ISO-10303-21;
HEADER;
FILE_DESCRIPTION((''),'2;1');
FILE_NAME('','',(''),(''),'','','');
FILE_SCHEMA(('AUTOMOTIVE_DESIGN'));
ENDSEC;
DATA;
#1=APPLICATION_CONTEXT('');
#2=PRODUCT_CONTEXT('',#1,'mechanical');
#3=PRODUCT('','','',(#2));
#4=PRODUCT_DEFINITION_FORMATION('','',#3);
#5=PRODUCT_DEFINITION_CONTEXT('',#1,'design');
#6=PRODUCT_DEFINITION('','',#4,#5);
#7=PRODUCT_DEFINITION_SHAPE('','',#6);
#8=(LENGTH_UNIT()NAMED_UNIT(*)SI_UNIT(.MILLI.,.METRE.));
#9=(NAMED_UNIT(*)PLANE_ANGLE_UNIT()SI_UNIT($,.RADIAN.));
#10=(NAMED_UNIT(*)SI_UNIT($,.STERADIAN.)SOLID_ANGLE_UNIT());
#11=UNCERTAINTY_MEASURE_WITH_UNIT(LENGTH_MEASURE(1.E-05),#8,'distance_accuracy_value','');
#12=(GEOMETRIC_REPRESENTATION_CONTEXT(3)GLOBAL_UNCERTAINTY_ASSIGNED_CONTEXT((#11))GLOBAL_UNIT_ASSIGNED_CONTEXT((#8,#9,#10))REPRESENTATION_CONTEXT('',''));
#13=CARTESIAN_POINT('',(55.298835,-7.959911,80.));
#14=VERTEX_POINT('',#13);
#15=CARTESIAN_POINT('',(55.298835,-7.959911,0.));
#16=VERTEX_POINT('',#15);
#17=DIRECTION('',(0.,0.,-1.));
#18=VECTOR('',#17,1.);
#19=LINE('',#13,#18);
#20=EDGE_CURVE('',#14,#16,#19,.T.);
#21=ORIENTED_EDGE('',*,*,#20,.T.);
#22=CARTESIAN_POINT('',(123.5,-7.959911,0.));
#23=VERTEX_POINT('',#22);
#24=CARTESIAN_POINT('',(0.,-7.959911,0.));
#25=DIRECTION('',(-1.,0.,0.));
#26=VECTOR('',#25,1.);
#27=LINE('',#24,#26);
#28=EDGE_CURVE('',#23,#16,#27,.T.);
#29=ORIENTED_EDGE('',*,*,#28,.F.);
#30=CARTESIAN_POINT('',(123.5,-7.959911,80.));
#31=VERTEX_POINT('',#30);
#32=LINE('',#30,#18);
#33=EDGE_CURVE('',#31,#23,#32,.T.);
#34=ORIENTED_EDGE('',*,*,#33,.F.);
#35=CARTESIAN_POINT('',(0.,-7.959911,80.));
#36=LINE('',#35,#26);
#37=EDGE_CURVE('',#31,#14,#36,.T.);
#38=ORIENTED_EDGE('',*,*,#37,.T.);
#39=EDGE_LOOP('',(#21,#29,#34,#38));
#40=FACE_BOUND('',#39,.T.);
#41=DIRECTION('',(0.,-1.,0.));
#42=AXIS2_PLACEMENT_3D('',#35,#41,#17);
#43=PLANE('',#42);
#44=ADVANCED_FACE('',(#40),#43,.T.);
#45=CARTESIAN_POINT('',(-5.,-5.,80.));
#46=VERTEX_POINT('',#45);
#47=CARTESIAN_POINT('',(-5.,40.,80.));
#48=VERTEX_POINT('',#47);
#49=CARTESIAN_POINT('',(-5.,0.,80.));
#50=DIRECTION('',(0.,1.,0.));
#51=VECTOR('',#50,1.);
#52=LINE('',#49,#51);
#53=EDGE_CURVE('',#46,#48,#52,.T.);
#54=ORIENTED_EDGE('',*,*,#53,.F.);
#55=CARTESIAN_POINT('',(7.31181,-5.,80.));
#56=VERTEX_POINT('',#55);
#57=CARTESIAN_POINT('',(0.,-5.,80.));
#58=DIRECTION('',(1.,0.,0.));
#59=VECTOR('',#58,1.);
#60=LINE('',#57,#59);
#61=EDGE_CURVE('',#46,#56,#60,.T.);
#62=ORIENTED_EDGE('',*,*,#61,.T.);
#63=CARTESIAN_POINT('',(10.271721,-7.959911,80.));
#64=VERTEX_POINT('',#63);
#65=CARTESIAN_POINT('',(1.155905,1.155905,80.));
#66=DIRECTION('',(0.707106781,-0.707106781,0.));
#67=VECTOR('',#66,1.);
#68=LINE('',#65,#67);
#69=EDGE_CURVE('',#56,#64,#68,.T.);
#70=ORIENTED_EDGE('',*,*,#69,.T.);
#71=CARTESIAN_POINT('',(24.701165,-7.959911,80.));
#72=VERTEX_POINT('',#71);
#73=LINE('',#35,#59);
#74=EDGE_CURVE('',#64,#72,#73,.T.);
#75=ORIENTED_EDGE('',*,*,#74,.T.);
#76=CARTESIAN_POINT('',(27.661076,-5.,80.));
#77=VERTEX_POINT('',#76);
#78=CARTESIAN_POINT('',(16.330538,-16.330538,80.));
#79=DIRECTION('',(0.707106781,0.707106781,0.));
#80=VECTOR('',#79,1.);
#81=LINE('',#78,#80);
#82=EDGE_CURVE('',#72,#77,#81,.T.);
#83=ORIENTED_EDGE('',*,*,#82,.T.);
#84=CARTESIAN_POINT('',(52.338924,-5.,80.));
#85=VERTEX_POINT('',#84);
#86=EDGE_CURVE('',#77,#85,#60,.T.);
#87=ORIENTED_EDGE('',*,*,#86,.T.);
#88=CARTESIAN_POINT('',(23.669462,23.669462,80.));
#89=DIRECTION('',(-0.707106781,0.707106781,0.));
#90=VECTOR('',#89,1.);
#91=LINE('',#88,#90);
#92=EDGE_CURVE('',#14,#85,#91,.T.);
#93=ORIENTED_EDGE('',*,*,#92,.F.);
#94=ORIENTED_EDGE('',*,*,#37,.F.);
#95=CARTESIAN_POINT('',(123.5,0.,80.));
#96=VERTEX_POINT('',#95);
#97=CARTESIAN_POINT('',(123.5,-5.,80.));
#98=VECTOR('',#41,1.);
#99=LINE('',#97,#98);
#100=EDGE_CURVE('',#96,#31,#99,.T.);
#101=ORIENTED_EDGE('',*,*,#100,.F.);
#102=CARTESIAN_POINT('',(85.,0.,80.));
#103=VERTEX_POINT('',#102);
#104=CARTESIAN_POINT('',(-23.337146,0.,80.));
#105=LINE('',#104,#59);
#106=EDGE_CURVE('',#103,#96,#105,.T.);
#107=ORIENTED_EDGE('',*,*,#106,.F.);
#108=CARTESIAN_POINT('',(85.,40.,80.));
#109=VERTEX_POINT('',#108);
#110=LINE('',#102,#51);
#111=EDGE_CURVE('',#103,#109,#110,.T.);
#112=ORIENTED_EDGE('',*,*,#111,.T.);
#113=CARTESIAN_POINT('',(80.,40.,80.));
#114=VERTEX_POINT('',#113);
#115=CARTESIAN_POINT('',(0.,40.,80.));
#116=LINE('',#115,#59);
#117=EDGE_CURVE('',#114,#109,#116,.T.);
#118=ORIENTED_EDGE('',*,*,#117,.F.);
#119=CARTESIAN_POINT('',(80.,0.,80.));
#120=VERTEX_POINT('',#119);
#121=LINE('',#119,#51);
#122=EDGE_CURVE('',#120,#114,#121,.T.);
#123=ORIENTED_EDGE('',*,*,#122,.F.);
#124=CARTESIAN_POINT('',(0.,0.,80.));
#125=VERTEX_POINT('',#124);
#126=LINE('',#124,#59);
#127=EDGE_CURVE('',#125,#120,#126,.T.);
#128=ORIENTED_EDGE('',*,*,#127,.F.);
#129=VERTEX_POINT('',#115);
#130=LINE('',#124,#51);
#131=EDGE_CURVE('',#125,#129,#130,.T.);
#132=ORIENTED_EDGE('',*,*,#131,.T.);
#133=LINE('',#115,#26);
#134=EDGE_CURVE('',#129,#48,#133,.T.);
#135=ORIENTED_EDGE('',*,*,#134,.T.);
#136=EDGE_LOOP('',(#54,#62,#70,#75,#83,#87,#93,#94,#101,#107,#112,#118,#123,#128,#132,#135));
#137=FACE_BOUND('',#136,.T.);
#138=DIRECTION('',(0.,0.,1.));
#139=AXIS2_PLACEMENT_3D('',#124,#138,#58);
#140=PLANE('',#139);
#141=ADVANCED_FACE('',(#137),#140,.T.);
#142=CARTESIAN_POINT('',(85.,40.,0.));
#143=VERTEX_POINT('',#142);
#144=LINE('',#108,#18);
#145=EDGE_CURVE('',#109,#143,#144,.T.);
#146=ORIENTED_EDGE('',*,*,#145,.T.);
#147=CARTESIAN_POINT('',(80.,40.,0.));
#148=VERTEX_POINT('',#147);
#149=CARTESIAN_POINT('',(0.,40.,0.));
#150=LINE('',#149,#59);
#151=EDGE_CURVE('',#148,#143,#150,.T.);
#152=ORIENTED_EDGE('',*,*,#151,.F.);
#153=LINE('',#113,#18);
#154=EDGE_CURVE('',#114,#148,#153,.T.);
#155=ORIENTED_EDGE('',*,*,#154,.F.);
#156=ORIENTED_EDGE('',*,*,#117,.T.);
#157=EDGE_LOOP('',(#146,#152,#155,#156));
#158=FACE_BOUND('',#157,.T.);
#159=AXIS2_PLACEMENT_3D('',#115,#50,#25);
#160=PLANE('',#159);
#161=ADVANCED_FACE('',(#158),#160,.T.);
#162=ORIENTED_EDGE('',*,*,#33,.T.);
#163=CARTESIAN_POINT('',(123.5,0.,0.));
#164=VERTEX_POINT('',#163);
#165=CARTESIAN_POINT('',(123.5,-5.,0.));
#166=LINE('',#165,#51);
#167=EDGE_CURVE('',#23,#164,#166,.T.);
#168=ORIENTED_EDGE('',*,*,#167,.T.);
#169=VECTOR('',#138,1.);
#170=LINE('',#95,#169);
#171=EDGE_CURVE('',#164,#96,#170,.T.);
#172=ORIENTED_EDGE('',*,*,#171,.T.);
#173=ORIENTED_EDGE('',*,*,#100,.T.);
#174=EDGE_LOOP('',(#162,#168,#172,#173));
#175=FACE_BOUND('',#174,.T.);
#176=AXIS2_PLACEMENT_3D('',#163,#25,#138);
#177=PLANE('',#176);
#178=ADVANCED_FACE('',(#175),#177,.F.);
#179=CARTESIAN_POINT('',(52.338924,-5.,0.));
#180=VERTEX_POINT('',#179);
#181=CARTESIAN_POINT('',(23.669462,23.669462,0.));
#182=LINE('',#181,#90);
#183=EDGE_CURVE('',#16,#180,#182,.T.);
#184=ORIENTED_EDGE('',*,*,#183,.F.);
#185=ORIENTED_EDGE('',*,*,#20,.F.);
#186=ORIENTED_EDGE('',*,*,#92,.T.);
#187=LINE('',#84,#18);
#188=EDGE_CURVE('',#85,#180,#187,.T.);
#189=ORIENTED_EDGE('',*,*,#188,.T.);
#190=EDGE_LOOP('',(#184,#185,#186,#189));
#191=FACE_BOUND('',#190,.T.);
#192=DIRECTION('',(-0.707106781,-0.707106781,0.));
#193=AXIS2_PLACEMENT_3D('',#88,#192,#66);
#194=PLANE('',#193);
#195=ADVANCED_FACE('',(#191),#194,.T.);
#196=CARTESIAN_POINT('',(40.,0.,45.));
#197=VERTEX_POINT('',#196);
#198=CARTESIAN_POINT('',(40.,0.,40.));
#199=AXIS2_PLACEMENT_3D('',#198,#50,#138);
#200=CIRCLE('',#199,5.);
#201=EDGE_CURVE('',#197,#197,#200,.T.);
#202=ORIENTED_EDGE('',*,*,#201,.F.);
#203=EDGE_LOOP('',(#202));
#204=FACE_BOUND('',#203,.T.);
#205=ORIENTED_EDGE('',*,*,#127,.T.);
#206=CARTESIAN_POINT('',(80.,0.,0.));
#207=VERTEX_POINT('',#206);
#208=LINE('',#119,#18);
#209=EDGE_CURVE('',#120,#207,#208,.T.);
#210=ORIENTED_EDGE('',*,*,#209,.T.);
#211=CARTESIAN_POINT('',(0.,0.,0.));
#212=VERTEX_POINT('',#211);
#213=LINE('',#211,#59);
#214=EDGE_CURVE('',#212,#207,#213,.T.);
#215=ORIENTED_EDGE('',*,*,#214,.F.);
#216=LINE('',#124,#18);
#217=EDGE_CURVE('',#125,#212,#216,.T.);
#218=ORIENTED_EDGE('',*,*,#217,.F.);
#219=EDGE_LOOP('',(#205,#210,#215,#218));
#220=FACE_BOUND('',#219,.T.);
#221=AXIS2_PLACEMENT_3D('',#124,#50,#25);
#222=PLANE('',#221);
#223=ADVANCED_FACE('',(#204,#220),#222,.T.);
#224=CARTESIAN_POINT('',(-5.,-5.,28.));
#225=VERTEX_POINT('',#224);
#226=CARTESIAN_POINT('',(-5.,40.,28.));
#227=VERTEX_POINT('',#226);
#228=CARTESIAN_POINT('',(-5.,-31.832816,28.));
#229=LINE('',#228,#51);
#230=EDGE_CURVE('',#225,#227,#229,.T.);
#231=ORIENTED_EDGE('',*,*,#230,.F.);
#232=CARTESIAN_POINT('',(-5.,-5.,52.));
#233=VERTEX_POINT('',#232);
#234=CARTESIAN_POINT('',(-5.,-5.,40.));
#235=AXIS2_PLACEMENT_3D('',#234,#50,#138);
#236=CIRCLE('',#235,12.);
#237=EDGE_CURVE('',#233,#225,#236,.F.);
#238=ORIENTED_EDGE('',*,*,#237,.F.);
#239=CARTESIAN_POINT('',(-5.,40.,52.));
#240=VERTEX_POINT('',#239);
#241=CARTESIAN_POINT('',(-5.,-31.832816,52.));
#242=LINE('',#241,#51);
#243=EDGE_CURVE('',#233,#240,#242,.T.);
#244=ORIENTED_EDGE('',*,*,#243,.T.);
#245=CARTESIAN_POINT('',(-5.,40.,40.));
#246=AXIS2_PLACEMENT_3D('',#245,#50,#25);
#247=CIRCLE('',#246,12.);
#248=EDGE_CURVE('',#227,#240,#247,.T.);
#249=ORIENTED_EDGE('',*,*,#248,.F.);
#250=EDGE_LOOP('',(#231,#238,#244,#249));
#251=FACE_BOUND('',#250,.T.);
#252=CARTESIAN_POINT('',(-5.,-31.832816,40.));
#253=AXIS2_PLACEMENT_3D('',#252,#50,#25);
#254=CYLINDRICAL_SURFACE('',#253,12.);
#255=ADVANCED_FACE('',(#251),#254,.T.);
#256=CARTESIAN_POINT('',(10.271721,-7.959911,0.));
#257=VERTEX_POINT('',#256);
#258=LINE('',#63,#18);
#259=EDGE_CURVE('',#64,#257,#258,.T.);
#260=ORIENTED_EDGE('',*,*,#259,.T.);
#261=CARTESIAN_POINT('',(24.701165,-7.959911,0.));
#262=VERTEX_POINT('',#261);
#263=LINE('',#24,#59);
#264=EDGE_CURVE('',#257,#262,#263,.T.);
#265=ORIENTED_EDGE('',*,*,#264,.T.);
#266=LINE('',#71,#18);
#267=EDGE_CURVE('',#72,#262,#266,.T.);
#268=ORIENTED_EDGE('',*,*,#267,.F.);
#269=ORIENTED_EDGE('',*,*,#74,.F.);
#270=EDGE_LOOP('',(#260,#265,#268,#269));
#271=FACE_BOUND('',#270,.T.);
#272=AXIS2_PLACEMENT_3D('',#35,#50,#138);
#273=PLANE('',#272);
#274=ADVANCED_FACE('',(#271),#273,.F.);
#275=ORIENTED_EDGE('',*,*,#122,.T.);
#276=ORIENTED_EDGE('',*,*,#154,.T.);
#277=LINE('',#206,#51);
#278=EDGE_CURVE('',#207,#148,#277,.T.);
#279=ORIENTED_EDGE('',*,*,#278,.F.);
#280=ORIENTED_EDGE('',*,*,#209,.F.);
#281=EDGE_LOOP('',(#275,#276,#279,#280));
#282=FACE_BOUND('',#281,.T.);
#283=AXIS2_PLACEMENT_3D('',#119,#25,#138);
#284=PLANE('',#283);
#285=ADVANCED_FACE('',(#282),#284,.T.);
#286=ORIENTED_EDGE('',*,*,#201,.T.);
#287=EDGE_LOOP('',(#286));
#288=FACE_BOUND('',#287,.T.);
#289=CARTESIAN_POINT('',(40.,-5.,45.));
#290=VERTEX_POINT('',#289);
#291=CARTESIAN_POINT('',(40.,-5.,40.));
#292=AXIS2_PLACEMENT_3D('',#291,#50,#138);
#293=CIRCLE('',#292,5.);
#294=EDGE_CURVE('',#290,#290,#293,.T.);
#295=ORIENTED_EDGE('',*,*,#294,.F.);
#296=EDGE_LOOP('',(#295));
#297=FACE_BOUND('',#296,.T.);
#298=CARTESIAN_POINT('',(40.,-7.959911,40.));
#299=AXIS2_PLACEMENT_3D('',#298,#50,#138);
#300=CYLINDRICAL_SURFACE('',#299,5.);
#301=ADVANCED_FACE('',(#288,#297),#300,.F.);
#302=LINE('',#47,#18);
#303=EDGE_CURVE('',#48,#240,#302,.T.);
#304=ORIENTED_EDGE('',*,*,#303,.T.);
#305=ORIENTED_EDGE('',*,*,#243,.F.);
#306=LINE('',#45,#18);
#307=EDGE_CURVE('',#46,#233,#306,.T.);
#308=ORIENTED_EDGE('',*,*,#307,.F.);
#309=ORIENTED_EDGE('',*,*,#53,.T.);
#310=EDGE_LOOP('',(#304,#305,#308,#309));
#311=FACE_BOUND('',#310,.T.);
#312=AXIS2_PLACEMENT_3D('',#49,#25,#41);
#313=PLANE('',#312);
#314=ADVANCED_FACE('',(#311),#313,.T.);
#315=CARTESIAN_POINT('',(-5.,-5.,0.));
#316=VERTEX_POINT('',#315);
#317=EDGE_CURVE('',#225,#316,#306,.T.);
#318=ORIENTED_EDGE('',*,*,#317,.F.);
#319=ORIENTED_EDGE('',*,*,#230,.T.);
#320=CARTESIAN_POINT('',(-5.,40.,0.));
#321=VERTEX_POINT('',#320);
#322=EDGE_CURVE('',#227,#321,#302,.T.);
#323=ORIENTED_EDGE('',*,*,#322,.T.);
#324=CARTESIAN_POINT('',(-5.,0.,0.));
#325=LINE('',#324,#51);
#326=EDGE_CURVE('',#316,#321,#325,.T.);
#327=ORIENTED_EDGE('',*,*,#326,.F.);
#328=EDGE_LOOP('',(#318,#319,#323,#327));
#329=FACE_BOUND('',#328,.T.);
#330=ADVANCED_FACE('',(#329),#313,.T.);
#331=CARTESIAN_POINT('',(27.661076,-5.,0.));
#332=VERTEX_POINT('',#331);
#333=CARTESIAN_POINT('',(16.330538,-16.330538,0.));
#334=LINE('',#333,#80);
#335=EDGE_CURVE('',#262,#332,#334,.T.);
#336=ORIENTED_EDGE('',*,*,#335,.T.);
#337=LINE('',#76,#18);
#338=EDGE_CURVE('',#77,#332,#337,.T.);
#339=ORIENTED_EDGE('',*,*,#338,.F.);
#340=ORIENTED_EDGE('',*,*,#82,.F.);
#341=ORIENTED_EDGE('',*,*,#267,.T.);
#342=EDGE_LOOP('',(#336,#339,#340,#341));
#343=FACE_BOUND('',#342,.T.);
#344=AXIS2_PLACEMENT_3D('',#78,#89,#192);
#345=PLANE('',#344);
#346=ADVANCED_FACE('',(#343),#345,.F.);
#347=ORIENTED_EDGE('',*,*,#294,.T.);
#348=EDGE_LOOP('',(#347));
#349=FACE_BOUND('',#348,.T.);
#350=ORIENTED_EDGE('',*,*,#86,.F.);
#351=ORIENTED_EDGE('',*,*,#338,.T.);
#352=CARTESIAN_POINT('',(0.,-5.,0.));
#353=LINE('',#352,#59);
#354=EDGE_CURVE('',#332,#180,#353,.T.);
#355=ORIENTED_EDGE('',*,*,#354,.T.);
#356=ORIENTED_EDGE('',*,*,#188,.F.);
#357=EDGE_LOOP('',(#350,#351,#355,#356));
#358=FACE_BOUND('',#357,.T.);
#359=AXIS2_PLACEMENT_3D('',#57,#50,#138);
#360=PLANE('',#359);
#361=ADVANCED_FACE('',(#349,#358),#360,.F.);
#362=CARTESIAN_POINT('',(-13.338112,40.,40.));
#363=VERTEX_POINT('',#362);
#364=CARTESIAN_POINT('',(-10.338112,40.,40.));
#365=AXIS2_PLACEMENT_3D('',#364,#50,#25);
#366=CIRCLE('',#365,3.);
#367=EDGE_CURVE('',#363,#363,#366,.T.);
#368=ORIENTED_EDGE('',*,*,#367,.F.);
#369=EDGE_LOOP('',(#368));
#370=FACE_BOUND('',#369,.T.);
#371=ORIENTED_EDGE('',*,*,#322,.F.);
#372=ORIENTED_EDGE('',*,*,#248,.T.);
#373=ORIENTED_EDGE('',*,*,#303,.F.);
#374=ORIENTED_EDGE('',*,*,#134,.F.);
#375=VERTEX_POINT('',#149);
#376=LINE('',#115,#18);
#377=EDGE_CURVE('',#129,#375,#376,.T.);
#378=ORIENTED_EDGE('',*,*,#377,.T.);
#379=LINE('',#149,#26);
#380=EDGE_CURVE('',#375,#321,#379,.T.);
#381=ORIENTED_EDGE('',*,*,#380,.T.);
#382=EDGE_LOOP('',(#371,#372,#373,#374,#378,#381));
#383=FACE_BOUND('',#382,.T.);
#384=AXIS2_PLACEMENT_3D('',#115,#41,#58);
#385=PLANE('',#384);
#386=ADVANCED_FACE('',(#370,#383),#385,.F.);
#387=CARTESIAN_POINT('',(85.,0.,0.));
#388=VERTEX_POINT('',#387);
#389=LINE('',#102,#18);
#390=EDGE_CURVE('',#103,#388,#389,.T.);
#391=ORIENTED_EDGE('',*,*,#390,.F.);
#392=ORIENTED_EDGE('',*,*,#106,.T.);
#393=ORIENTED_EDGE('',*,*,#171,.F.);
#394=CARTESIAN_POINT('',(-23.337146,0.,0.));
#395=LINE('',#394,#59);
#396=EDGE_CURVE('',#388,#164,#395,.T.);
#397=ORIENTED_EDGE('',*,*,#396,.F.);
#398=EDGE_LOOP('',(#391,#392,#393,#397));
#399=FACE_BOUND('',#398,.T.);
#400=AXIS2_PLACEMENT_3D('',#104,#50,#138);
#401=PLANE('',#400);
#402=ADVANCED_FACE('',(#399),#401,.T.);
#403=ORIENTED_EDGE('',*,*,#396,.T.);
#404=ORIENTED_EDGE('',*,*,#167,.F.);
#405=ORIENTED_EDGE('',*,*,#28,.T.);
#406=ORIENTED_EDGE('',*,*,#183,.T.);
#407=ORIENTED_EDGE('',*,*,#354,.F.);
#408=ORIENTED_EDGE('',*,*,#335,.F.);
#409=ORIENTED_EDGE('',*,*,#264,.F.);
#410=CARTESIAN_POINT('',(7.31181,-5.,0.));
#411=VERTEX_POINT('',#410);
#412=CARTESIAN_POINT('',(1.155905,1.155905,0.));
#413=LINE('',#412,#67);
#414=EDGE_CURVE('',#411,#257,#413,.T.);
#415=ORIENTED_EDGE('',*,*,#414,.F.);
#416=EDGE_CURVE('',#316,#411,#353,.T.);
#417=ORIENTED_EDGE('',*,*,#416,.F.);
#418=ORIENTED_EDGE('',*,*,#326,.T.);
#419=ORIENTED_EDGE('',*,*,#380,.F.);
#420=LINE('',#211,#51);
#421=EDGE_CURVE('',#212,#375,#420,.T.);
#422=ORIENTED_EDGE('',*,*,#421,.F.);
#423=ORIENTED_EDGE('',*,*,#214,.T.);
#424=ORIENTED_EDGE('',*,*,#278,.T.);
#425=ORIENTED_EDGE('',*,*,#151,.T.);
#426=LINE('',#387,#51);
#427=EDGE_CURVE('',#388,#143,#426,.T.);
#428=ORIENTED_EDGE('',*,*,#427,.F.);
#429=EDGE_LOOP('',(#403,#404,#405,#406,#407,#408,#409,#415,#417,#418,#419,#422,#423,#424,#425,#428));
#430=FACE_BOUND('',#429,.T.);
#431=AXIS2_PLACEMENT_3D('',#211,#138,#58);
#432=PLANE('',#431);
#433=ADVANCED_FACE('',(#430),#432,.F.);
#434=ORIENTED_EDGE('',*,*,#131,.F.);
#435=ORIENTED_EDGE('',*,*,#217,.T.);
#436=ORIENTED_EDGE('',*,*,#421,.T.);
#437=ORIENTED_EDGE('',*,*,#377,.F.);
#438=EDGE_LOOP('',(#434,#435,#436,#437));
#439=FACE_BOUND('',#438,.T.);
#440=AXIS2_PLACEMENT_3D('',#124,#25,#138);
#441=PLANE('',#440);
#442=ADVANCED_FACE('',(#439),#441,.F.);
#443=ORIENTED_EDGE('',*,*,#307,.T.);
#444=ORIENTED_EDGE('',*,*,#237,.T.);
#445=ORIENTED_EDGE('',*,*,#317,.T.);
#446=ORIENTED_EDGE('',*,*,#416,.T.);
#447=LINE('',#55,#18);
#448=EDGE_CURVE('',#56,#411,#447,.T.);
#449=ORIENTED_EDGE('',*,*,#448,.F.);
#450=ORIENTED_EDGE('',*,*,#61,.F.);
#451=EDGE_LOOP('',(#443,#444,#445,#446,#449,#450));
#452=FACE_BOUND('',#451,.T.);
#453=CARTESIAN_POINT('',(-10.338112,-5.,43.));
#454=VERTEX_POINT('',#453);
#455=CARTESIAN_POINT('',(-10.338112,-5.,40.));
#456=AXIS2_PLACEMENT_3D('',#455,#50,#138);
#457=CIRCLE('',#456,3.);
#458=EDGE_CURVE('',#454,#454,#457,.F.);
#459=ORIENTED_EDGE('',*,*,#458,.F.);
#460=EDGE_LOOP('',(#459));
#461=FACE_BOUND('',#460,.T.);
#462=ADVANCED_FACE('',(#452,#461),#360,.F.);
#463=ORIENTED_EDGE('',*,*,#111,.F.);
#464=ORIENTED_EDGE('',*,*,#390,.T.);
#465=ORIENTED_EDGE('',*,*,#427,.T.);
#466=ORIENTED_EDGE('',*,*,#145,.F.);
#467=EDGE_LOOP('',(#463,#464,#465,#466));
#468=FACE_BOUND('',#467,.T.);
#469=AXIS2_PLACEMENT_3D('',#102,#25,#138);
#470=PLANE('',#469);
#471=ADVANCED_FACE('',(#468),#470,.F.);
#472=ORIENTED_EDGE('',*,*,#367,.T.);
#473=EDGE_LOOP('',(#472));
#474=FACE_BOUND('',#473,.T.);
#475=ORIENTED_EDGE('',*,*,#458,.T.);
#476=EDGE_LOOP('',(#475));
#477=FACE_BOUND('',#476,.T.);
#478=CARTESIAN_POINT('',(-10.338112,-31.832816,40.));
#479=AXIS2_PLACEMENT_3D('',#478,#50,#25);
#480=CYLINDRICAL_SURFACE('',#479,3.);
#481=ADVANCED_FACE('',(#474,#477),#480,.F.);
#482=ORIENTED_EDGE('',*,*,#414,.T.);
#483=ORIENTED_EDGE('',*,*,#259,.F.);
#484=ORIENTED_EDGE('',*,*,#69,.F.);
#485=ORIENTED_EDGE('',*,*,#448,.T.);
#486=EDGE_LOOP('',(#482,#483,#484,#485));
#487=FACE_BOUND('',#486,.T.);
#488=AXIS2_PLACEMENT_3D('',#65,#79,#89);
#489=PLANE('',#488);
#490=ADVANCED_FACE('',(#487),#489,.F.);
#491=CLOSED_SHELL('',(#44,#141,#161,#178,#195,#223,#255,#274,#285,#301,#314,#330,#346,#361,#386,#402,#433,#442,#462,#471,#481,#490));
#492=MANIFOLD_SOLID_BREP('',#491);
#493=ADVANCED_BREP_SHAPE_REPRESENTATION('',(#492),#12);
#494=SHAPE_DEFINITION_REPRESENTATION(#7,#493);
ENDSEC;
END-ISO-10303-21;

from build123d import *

# Parameters (mm, degrees)
BOSS_EXTRUDE2_DEPTH             = 80
SKETCH2_R                       = 3
BOSS_EXTRUDE3_DEPTH             = 45
SKETCH3_R                       = 5
CUT_EXTRUDE1_DEPTH              = 8.959911114
BOSS_EXTRUDE4_DEPTH             = 38.5
BOSS_EXTRUDE4_DIRECTION_2_REACH = 104


with BuildPart() as part:
    # Sketch1 → Boss-Extrude2 (new body)
    with BuildSketch(Plane.XY):
        Polygon((9.382877742, 0), (0, 0), (0, 40), (-5, 40), (-5, -5), (7.31180993, -5), (10.271721045, -7.959911114), (24.701165041, -7.959911114), (27.661076156, -5), (52.338923844, -5), (55.298834959, -7.959911114), (69.728278955, -7.959911114), (72.68819007, -5), (85, -5), (85, 40), (80, 40), (80, 0), (70.617122258, 0), (54.409991656, 0), (25.590008344, 0), align=None)
    extrude(amount=BOSS_EXTRUDE2_DEPTH)

    # Sketch2 → Boss-Extrude3 (add)
    with BuildSketch(Plane(origin=(0, 40, 0), x_dir=(1, 0, 0), z_dir=(0, 1, 0))):
        with BuildLine():
            Line((-5, -28), (-5, -52))
            ThreePointArc((-5, -52), (-17, -40), (-5, -28))
        make_face()
        with Locations((-10.338111961, -40)):
            Circle(SKETCH2_R, mode=Mode.SUBTRACT)
    extrude(amount=-BOSS_EXTRUDE3_DEPTH)

    # Sketch3 → Cut-Extrude1 (cut, through all)
    with BuildSketch(Plane(origin=(0, 0, 0), x_dir=(1, 0, 0), z_dir=(0, 1, 0))):
        with Locations((40, -40)):
            Circle(SKETCH3_R)
    extrude(amount=-CUT_EXTRUDE1_DEPTH, mode=Mode.SUBTRACT)

    # Sketch5 → Boss-Extrude4 (add)
    with BuildSketch(Plane(origin=(85, 0, 0), x_dir=(0, 0, -1), z_dir=(1, 0, 0))):
        Polygon((-80, -5), (-80, -7.959911114), (0, -7.959911114), (0, -5), (0, 0), (-80, 0), align=None)
    extrude(amount=BOSS_EXTRUDE4_DEPTH)

    # Boss-Extrude4 direction 2: up to this face of the body (flat: up to its plane)
    boss_extrude4_direction_2_end = Plane(part.part.faces().sort_by_distance((71.208234512, -6.479955557, 40))[0])
    # Sketch5 → Boss-Extrude4 direction 2 (add, up to the picked face)
    with BuildSketch(Plane(origin=(85, 0, 0), x_dir=(0, 0, -1), z_dir=(1, 0, 0)), mode=Mode.PRIVATE) as boss_extrude4_direction_2_sk1:
        Polygon((-80, -5), (-80, -7.959911114), (0, -7.959911114), (0, -5), (0, 0), (-80, 0), align=None)
    boss_extrude4_direction_2_tool1 = split(extrude(boss_extrude4_direction_2_sk1.sketch, amount=-BOSS_EXTRUDE4_DIRECTION_2_REACH, mode=Mode.PRIVATE), bisect_by=boss_extrude4_direction_2_end, keep=Keep.BOTH, mode=Mode.PRIVATE)
    add(boss_extrude4_direction_2_tool1.solids().sort_by_distance((85, -3.979956, 40))[0])


solid = part.part
